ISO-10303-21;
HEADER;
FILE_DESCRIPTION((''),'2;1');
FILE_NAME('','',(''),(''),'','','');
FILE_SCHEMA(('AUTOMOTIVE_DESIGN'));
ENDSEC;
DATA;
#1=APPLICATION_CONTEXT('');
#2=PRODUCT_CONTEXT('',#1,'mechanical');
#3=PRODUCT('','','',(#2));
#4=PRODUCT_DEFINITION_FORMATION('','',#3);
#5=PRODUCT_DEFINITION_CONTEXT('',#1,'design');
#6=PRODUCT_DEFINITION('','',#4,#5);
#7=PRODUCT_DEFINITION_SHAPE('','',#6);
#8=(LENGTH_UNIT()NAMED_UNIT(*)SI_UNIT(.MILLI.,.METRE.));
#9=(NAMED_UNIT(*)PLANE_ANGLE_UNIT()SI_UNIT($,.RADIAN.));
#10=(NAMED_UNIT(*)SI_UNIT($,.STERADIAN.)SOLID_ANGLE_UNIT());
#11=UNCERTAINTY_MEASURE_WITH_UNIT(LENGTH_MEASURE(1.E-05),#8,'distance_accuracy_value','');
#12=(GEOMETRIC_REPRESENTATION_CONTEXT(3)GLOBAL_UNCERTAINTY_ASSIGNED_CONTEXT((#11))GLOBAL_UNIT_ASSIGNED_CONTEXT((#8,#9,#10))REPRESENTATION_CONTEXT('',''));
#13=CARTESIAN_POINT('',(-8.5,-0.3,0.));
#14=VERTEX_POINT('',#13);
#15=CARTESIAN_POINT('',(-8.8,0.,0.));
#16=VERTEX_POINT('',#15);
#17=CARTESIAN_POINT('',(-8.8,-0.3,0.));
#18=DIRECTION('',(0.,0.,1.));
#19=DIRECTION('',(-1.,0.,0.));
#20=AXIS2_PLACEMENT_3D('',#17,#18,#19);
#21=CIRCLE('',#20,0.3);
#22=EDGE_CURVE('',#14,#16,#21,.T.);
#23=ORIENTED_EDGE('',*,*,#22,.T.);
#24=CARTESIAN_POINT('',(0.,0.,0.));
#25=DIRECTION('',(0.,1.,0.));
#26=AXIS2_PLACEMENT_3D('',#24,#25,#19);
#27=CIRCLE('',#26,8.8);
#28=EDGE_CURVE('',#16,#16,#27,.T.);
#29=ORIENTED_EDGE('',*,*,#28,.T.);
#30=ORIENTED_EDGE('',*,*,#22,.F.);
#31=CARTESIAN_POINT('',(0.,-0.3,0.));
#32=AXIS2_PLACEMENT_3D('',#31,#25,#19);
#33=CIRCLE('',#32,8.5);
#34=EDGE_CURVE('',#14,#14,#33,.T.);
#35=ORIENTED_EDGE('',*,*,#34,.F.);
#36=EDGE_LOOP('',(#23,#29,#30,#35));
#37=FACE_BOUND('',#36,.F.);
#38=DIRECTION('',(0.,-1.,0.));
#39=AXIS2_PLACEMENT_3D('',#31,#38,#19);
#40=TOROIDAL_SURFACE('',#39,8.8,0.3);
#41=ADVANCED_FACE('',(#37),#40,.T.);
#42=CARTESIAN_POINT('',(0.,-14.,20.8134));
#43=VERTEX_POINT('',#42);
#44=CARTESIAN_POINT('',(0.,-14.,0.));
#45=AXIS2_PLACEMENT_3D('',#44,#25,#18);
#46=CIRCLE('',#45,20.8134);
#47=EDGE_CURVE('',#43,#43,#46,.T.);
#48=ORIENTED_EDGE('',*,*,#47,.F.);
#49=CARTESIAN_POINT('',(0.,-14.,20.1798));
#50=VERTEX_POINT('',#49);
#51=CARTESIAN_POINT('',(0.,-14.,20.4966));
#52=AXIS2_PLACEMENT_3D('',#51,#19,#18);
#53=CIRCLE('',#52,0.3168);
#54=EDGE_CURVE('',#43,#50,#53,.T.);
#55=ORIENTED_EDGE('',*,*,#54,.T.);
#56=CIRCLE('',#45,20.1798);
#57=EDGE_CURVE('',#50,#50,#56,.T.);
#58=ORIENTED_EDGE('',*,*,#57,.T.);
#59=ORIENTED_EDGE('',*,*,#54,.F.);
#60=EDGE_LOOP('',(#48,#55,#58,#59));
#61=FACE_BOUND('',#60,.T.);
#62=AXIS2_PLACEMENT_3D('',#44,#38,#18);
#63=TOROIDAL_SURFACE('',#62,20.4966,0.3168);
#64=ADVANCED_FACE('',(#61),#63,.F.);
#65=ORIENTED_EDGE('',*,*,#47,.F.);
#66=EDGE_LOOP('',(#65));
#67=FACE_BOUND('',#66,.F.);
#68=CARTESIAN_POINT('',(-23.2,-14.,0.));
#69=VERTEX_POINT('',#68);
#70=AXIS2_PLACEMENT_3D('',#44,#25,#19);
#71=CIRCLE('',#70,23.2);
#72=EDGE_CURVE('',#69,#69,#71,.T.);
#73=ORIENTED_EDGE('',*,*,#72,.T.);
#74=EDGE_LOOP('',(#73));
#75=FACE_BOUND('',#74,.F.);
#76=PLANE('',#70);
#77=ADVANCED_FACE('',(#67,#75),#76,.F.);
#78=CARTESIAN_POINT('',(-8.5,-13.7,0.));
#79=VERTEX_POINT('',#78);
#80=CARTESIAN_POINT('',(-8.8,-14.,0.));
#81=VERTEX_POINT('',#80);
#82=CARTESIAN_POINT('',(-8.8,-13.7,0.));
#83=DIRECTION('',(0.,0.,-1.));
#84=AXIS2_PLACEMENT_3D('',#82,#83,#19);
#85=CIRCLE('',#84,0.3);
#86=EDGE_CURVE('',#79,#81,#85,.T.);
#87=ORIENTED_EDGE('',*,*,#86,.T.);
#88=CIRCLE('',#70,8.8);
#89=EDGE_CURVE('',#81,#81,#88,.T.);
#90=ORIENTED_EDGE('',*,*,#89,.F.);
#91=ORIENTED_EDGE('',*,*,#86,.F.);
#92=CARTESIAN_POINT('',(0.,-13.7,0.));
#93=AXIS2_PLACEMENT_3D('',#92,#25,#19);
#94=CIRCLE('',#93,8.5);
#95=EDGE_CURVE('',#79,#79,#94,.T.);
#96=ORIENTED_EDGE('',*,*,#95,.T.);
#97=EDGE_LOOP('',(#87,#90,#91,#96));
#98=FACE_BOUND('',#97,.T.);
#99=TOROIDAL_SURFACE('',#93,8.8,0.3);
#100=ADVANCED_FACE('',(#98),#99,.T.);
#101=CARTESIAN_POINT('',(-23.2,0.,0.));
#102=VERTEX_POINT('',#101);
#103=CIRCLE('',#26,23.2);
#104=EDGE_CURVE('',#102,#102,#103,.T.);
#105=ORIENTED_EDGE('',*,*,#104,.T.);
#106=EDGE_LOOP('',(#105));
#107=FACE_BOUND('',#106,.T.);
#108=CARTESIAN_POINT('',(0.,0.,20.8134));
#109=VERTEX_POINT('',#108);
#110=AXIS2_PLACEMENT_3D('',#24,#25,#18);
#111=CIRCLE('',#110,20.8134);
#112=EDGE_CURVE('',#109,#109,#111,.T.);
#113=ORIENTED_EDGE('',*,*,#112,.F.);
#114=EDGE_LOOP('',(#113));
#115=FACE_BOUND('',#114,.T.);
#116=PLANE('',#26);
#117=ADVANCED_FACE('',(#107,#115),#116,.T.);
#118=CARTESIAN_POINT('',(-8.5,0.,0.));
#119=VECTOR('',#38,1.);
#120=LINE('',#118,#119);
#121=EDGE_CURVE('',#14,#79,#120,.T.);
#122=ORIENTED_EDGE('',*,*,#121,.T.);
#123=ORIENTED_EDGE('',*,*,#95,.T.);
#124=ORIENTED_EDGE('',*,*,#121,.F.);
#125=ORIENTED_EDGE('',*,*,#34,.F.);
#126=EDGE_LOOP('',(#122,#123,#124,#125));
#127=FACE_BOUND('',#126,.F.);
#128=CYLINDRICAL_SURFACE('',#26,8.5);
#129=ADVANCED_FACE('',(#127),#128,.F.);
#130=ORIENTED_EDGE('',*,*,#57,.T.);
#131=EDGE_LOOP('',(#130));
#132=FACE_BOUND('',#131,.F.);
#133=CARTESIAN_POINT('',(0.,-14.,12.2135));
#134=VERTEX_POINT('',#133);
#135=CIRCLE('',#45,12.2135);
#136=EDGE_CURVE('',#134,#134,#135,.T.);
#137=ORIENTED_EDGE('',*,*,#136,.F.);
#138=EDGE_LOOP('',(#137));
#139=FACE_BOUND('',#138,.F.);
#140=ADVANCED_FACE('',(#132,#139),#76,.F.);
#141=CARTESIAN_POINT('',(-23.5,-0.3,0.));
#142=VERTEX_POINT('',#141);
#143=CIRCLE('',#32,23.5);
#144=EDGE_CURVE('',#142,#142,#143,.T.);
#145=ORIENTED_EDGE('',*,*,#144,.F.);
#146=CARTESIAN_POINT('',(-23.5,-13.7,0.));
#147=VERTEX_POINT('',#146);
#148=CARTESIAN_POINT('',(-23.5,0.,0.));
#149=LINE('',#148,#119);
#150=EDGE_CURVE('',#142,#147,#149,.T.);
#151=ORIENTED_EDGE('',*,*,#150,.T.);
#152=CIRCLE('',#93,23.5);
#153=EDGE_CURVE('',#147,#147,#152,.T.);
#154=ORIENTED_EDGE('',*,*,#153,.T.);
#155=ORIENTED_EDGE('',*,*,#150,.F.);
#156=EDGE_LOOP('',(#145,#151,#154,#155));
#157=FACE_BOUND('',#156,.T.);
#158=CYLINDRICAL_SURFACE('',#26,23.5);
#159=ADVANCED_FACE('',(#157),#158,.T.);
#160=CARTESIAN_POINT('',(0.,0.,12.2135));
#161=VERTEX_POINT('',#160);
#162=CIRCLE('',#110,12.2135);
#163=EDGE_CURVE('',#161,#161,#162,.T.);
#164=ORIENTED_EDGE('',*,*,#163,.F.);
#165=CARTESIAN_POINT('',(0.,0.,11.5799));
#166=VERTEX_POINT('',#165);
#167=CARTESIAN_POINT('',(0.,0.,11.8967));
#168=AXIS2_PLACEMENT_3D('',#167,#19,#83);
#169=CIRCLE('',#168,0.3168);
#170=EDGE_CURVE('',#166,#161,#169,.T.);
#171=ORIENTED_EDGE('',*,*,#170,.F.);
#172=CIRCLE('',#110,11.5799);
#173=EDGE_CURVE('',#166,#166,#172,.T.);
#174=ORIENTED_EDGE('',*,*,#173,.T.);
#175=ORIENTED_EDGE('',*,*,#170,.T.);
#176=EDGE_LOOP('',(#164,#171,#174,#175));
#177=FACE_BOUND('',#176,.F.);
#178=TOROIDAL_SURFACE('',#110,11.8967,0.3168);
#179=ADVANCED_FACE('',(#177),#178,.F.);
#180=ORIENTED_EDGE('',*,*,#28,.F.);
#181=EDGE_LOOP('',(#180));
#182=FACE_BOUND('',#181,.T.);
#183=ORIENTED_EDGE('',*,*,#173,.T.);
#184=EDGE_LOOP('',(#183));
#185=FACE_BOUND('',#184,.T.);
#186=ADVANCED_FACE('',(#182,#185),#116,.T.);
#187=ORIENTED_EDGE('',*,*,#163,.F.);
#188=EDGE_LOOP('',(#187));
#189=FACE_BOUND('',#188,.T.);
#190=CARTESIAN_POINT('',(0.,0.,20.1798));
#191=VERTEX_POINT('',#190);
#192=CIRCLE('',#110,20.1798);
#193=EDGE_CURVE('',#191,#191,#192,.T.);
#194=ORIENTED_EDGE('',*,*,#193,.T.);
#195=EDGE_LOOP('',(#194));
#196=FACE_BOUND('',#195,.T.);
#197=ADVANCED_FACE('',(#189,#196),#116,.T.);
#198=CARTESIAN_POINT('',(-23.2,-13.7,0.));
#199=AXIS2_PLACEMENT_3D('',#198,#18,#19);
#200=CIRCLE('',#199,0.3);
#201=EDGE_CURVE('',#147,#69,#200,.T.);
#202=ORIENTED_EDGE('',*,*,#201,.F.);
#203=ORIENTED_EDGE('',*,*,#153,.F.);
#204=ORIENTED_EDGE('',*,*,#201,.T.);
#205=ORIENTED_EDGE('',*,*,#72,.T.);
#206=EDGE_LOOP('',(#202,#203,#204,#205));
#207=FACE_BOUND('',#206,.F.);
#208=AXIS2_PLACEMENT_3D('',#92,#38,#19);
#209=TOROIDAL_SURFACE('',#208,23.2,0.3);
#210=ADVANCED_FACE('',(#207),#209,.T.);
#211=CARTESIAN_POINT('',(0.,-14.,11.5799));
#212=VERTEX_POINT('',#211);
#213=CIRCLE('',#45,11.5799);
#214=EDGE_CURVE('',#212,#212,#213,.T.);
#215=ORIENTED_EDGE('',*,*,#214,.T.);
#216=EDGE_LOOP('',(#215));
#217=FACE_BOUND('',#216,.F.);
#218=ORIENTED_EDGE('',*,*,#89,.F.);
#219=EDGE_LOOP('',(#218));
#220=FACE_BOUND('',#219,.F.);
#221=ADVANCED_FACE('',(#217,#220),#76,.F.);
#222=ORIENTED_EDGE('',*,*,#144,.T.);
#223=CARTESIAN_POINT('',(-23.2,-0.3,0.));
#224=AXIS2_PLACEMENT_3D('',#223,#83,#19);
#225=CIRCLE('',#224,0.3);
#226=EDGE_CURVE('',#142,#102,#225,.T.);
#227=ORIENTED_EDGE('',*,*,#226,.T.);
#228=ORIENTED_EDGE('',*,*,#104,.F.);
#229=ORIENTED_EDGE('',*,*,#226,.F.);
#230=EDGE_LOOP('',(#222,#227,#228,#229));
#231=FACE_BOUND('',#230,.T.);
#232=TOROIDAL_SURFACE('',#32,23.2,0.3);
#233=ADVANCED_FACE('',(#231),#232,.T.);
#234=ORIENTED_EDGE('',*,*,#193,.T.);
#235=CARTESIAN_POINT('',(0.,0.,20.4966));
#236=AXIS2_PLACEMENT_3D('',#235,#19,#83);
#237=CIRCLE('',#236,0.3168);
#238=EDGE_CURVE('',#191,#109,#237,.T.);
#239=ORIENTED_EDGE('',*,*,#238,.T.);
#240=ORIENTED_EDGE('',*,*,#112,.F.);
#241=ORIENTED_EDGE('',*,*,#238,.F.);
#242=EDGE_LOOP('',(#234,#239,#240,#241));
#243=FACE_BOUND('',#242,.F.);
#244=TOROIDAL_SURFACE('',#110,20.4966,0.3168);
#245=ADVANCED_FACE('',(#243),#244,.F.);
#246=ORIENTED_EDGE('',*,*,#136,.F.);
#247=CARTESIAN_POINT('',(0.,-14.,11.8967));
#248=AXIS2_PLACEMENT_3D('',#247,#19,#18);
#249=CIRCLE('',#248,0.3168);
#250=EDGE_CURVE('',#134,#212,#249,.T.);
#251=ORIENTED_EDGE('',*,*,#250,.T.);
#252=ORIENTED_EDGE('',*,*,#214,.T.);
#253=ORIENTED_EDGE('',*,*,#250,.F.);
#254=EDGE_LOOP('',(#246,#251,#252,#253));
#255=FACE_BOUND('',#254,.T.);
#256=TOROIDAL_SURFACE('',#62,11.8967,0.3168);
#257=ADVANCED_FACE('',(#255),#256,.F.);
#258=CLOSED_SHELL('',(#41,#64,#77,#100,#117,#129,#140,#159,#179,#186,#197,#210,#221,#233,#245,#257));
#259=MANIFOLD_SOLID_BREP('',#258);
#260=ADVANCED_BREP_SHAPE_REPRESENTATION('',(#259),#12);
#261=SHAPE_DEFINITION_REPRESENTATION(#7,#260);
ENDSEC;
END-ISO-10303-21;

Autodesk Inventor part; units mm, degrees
ref_plane "YZ Plane" through (0, 0, 0) normal (1, 0, 0) x (0, 1, 0)
ref_plane "XZ Plane" through (0, 0, 0) normal (0, 1, 0) x (-1, 0, 0)
sketch "Sketch1" plane through (0, 0, 0) normal (0, 1, 0) x (-1, 0, 0)
  circle A0 centre (0, 0) radius 8.5
  circle A1 centre (0, 0) radius 23.5
  dimension "d0" = 17
  dimension "d1" = 47
extrude "Extrusion1" add sketch "Sketch1" against normal blind 14
fillet "Fillet1" radius 0.3 4 edges at (23.5, 0, 0) (23.5, -14, 0) (8.5, 0, 0) (8.5, -14, 0)
sketch "Sketch2" plane through (0, 0, 0) normal (1, 0, 0) x (0, 1, 0)
  line L0 (-14, -23.2) -> (-14, 23.2) projected
  line L1 (-0.3, 23.5) -> (-13.7, 23.5) projected
  circle A0 centre (-14, 20.4966) radius 0.3168
  circle A1 centre (-14, 11.8967) radius 0.3168
  line L2 (-19.5802, 0) -> (3.2634, 0) projected
  point P0 (0, 0)
revolve "Revolution1" cut sketch "Sketch2" angle 360 about axis through (0, -10, 0) along (0, 1, 0)
ref_plane "Work Plane1" through (0, -7, 0) normal (0, 1, 0) x (1, 0, 0)
mirror "Mirror1" about plane through (0, -7, 0) normal (0, 1, 0) of "Revolution1"
properties part number "fc16-062" material "Stainless Steel, 440C"
